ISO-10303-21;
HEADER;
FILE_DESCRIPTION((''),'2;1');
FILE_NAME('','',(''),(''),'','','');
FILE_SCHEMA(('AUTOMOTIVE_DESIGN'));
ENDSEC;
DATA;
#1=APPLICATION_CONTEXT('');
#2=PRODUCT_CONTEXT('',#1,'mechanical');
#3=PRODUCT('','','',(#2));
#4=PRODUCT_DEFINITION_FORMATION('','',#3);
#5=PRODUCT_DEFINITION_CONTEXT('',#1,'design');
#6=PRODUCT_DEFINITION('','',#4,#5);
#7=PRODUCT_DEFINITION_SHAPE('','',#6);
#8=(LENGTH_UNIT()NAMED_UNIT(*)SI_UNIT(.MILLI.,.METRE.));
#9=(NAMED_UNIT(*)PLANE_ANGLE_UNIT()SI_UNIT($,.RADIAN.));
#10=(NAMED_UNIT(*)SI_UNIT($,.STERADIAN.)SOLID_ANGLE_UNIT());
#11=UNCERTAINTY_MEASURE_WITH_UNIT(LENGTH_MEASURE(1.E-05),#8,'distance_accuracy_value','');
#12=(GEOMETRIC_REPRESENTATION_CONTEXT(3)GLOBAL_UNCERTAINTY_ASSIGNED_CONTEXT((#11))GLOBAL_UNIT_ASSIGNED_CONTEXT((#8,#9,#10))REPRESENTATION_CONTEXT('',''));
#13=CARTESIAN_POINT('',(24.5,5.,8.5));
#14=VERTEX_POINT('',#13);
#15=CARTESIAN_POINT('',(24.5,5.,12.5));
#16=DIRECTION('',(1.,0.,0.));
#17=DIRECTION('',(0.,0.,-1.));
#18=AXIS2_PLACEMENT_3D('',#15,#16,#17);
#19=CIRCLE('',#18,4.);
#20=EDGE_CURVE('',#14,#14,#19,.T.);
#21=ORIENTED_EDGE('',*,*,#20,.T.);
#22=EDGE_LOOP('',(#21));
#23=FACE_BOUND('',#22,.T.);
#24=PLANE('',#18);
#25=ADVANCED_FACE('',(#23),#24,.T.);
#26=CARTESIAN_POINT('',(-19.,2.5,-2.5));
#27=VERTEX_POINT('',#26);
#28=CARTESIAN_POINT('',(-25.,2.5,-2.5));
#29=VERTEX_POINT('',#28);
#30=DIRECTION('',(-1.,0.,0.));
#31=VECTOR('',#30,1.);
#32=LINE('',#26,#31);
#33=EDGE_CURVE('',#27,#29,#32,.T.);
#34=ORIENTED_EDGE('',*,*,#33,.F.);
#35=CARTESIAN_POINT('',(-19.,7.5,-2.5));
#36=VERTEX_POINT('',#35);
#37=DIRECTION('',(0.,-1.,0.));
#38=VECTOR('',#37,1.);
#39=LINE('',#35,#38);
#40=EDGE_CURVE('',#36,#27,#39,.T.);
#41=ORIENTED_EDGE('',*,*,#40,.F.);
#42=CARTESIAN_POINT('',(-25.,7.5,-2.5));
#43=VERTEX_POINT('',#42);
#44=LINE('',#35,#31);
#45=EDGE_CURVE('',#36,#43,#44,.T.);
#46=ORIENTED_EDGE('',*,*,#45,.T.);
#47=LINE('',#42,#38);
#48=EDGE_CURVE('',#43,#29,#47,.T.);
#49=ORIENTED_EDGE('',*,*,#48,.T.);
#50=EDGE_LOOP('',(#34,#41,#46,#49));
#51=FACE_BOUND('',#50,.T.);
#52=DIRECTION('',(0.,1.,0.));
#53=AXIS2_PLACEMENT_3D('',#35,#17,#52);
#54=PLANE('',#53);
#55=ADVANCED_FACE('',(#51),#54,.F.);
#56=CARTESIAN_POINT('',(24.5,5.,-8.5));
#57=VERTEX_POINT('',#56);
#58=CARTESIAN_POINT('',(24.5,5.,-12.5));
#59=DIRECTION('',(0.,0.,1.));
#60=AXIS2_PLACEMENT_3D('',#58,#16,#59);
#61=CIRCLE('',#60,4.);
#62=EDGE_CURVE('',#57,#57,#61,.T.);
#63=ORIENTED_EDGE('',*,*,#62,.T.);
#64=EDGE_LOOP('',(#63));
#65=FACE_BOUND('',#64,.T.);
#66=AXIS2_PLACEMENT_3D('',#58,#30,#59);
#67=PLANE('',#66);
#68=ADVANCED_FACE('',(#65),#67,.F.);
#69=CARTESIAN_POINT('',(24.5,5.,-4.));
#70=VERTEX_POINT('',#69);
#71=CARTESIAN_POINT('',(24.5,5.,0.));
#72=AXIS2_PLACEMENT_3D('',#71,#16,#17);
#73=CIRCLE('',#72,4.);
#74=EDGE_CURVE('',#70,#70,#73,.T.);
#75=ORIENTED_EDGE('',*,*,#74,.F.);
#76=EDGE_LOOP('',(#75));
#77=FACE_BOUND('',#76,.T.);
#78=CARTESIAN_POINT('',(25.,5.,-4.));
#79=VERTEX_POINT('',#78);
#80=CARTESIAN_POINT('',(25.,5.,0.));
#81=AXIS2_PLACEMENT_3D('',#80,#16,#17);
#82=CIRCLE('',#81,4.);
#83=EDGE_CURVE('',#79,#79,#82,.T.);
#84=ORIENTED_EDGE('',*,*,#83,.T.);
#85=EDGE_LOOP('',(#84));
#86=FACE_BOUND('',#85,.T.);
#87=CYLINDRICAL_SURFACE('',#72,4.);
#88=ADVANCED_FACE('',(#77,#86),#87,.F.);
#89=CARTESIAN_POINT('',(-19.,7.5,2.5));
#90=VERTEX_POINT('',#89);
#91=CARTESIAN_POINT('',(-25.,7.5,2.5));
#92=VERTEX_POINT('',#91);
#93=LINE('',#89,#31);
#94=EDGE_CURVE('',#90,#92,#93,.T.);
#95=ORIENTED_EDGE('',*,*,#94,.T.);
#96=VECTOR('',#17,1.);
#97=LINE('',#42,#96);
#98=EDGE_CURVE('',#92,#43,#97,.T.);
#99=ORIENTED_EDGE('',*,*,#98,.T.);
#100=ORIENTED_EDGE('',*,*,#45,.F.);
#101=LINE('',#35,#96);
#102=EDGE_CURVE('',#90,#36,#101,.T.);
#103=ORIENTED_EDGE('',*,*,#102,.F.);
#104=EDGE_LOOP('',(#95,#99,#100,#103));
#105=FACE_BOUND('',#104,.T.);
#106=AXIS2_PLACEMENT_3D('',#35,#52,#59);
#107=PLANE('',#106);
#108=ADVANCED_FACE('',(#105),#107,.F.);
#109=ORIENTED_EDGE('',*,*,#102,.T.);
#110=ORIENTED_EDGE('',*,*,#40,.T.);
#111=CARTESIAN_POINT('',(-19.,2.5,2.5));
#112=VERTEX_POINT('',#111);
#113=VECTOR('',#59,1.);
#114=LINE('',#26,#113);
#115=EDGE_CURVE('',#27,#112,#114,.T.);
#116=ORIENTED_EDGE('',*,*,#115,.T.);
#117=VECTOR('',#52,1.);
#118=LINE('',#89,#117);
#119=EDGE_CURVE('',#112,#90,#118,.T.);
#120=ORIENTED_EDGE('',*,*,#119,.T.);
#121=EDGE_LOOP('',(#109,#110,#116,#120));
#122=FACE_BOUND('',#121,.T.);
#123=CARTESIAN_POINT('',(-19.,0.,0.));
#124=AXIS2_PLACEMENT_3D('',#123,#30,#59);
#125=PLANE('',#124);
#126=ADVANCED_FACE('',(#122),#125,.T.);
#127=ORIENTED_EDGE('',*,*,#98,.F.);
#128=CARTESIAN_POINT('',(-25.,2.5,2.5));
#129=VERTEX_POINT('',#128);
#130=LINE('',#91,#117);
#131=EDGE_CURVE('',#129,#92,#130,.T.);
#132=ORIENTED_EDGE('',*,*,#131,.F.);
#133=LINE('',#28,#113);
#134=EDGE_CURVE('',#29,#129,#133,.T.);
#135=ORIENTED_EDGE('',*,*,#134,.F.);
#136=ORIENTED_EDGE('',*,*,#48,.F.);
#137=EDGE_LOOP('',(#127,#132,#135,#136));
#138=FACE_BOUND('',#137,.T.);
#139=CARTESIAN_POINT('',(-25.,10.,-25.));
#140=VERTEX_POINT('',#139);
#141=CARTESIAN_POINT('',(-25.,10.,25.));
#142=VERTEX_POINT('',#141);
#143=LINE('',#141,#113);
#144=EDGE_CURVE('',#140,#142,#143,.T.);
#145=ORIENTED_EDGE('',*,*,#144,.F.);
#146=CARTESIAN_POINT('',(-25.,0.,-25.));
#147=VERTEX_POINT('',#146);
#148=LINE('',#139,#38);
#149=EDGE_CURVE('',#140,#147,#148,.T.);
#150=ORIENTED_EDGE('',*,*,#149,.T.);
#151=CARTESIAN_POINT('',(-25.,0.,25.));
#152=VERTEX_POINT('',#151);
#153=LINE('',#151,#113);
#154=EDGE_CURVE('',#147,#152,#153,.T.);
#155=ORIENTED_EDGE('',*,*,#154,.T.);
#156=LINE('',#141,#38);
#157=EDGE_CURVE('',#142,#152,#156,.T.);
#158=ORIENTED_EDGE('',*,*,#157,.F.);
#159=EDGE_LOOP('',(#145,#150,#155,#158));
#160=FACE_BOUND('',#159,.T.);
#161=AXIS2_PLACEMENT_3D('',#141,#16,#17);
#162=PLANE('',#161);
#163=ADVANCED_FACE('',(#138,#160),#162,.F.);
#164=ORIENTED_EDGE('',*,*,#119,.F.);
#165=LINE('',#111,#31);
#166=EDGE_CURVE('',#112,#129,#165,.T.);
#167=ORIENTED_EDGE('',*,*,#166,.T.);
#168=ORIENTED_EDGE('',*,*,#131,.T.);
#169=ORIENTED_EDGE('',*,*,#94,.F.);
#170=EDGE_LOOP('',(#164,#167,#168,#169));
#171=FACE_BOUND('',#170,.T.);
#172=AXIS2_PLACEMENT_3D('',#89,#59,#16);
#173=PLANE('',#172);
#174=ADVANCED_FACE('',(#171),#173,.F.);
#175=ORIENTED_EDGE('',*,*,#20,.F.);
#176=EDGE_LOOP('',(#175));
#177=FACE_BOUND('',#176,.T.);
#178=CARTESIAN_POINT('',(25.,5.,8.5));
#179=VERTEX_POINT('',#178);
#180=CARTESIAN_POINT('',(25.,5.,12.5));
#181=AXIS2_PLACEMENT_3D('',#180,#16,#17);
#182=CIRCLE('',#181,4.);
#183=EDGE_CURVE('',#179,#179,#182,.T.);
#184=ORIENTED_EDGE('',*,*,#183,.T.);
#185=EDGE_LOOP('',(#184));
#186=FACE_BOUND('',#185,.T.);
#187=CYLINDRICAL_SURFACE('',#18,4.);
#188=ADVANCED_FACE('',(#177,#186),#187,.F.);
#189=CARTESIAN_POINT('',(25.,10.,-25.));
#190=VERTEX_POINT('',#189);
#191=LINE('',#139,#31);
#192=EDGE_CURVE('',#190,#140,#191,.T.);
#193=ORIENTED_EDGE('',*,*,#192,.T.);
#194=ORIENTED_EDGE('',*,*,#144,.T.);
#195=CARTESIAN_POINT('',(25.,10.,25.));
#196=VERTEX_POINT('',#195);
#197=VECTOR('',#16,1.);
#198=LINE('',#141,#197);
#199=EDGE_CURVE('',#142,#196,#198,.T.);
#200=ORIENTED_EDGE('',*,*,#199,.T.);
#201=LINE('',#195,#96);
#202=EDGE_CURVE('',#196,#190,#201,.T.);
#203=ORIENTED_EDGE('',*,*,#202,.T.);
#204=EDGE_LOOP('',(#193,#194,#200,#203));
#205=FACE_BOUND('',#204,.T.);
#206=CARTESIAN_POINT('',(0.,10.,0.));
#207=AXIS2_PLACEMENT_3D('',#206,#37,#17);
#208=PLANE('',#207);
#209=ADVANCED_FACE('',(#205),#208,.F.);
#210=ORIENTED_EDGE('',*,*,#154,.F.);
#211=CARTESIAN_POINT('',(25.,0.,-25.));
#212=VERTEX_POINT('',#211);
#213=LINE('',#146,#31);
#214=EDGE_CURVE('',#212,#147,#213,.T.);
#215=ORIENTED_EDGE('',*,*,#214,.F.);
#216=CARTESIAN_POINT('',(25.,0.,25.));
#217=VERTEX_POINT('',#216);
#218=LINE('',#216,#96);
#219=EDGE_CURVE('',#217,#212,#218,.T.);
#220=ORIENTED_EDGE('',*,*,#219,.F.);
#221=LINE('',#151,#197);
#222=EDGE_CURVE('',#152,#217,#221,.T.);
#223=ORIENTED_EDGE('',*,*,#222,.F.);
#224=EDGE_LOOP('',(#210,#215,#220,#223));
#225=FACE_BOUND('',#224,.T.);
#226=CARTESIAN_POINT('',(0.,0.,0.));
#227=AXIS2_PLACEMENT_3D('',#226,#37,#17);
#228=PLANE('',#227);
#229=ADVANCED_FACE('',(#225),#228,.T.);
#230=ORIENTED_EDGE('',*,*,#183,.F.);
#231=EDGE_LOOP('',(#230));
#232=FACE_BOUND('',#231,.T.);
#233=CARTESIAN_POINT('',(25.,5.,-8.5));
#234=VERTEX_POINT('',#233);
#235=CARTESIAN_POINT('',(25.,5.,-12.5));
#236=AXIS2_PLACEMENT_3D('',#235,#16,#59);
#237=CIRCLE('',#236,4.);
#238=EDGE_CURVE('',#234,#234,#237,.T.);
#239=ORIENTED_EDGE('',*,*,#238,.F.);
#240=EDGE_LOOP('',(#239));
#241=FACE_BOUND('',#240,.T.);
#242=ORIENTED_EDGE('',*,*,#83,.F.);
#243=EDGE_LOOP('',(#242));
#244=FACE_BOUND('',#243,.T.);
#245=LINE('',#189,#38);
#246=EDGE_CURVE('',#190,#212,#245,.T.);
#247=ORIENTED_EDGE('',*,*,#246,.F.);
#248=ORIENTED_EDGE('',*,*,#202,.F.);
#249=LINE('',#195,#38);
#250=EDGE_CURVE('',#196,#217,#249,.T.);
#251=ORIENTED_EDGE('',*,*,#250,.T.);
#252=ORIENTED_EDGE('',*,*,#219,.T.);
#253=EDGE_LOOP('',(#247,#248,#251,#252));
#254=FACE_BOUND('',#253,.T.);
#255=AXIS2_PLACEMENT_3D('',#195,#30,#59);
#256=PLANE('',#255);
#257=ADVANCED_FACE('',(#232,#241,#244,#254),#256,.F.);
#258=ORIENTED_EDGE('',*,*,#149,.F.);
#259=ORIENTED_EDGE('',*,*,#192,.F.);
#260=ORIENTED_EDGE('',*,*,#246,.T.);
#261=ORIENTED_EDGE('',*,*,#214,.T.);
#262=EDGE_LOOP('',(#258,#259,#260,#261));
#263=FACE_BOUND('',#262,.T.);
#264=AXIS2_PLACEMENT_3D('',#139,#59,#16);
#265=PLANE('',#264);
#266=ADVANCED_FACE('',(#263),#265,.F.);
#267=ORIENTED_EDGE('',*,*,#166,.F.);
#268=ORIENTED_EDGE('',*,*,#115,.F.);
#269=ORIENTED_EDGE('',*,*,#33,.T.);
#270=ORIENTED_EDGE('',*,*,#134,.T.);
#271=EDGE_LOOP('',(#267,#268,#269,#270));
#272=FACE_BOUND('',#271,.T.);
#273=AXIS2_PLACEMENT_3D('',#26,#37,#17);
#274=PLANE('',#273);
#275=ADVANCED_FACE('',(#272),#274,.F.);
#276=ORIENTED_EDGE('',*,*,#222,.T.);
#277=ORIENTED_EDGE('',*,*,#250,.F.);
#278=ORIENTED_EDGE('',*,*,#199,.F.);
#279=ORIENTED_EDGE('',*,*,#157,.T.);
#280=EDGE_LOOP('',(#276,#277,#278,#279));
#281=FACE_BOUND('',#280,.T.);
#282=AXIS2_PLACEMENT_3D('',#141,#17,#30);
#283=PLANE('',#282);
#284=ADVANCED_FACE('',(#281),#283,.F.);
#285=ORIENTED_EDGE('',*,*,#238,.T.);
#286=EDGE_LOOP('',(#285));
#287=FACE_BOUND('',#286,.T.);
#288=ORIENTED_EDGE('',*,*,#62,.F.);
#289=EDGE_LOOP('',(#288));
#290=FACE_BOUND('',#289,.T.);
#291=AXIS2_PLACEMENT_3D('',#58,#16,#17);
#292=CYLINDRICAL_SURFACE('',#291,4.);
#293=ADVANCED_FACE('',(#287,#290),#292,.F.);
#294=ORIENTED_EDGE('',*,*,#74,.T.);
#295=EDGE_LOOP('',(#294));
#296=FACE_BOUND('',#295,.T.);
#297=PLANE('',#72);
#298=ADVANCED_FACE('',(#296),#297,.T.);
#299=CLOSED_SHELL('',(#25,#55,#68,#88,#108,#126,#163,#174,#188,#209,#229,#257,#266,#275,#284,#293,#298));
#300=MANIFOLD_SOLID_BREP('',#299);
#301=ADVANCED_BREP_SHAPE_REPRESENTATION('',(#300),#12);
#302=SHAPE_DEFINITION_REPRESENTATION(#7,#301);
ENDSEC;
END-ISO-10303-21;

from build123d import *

# Parameters (mm, degrees)
SKETCH1_W           = 50
SKETCH1_H           = 50
BOSS_EXTRUDE1_DEPTH = 10
SKETCH2_W           = 5
SKETCH2_H           = 5
CUT_EXTRUDE1_DEPTH  = 6
SKETCH3_R           = 4
CUT_EXTRUDE2_DEPTH  = 0.5


with BuildPart() as part:
    # Sketch1 → Boss-Extrude1 (new body)
    with BuildSketch(Plane(origin=(0, 0, 0), x_dir=(1, 0, 0), z_dir=(0, 1, 0))):
        Rectangle(SKETCH1_W, SKETCH1_H)
    extrude(amount=BOSS_EXTRUDE1_DEPTH)

    # Sketch2 → Cut-Extrude1 (cut)
    with BuildSketch(Plane.ZY.offset(25)):
        with Locations((0, 5)):
            Rectangle(SKETCH2_W, SKETCH2_H)
    extrude(amount=-CUT_EXTRUDE1_DEPTH, mode=Mode.SUBTRACT)

    # Sketch3 → Cut-Extrude2 (cut)
    with BuildSketch(Plane(origin=(25, 0, 0), x_dir=(0, 0, -1), z_dir=(1, 0, 0))):
        with Locations((-12.5, 5)):
            Circle(SKETCH3_R)
        with Locations((12.5, 5)):
            Circle(SKETCH3_R)
        with Locations((0, 5)):
            Circle(SKETCH3_R)
    extrude(amount=-CUT_EXTRUDE2_DEPTH, mode=Mode.SUBTRACT)


solid = part.part
